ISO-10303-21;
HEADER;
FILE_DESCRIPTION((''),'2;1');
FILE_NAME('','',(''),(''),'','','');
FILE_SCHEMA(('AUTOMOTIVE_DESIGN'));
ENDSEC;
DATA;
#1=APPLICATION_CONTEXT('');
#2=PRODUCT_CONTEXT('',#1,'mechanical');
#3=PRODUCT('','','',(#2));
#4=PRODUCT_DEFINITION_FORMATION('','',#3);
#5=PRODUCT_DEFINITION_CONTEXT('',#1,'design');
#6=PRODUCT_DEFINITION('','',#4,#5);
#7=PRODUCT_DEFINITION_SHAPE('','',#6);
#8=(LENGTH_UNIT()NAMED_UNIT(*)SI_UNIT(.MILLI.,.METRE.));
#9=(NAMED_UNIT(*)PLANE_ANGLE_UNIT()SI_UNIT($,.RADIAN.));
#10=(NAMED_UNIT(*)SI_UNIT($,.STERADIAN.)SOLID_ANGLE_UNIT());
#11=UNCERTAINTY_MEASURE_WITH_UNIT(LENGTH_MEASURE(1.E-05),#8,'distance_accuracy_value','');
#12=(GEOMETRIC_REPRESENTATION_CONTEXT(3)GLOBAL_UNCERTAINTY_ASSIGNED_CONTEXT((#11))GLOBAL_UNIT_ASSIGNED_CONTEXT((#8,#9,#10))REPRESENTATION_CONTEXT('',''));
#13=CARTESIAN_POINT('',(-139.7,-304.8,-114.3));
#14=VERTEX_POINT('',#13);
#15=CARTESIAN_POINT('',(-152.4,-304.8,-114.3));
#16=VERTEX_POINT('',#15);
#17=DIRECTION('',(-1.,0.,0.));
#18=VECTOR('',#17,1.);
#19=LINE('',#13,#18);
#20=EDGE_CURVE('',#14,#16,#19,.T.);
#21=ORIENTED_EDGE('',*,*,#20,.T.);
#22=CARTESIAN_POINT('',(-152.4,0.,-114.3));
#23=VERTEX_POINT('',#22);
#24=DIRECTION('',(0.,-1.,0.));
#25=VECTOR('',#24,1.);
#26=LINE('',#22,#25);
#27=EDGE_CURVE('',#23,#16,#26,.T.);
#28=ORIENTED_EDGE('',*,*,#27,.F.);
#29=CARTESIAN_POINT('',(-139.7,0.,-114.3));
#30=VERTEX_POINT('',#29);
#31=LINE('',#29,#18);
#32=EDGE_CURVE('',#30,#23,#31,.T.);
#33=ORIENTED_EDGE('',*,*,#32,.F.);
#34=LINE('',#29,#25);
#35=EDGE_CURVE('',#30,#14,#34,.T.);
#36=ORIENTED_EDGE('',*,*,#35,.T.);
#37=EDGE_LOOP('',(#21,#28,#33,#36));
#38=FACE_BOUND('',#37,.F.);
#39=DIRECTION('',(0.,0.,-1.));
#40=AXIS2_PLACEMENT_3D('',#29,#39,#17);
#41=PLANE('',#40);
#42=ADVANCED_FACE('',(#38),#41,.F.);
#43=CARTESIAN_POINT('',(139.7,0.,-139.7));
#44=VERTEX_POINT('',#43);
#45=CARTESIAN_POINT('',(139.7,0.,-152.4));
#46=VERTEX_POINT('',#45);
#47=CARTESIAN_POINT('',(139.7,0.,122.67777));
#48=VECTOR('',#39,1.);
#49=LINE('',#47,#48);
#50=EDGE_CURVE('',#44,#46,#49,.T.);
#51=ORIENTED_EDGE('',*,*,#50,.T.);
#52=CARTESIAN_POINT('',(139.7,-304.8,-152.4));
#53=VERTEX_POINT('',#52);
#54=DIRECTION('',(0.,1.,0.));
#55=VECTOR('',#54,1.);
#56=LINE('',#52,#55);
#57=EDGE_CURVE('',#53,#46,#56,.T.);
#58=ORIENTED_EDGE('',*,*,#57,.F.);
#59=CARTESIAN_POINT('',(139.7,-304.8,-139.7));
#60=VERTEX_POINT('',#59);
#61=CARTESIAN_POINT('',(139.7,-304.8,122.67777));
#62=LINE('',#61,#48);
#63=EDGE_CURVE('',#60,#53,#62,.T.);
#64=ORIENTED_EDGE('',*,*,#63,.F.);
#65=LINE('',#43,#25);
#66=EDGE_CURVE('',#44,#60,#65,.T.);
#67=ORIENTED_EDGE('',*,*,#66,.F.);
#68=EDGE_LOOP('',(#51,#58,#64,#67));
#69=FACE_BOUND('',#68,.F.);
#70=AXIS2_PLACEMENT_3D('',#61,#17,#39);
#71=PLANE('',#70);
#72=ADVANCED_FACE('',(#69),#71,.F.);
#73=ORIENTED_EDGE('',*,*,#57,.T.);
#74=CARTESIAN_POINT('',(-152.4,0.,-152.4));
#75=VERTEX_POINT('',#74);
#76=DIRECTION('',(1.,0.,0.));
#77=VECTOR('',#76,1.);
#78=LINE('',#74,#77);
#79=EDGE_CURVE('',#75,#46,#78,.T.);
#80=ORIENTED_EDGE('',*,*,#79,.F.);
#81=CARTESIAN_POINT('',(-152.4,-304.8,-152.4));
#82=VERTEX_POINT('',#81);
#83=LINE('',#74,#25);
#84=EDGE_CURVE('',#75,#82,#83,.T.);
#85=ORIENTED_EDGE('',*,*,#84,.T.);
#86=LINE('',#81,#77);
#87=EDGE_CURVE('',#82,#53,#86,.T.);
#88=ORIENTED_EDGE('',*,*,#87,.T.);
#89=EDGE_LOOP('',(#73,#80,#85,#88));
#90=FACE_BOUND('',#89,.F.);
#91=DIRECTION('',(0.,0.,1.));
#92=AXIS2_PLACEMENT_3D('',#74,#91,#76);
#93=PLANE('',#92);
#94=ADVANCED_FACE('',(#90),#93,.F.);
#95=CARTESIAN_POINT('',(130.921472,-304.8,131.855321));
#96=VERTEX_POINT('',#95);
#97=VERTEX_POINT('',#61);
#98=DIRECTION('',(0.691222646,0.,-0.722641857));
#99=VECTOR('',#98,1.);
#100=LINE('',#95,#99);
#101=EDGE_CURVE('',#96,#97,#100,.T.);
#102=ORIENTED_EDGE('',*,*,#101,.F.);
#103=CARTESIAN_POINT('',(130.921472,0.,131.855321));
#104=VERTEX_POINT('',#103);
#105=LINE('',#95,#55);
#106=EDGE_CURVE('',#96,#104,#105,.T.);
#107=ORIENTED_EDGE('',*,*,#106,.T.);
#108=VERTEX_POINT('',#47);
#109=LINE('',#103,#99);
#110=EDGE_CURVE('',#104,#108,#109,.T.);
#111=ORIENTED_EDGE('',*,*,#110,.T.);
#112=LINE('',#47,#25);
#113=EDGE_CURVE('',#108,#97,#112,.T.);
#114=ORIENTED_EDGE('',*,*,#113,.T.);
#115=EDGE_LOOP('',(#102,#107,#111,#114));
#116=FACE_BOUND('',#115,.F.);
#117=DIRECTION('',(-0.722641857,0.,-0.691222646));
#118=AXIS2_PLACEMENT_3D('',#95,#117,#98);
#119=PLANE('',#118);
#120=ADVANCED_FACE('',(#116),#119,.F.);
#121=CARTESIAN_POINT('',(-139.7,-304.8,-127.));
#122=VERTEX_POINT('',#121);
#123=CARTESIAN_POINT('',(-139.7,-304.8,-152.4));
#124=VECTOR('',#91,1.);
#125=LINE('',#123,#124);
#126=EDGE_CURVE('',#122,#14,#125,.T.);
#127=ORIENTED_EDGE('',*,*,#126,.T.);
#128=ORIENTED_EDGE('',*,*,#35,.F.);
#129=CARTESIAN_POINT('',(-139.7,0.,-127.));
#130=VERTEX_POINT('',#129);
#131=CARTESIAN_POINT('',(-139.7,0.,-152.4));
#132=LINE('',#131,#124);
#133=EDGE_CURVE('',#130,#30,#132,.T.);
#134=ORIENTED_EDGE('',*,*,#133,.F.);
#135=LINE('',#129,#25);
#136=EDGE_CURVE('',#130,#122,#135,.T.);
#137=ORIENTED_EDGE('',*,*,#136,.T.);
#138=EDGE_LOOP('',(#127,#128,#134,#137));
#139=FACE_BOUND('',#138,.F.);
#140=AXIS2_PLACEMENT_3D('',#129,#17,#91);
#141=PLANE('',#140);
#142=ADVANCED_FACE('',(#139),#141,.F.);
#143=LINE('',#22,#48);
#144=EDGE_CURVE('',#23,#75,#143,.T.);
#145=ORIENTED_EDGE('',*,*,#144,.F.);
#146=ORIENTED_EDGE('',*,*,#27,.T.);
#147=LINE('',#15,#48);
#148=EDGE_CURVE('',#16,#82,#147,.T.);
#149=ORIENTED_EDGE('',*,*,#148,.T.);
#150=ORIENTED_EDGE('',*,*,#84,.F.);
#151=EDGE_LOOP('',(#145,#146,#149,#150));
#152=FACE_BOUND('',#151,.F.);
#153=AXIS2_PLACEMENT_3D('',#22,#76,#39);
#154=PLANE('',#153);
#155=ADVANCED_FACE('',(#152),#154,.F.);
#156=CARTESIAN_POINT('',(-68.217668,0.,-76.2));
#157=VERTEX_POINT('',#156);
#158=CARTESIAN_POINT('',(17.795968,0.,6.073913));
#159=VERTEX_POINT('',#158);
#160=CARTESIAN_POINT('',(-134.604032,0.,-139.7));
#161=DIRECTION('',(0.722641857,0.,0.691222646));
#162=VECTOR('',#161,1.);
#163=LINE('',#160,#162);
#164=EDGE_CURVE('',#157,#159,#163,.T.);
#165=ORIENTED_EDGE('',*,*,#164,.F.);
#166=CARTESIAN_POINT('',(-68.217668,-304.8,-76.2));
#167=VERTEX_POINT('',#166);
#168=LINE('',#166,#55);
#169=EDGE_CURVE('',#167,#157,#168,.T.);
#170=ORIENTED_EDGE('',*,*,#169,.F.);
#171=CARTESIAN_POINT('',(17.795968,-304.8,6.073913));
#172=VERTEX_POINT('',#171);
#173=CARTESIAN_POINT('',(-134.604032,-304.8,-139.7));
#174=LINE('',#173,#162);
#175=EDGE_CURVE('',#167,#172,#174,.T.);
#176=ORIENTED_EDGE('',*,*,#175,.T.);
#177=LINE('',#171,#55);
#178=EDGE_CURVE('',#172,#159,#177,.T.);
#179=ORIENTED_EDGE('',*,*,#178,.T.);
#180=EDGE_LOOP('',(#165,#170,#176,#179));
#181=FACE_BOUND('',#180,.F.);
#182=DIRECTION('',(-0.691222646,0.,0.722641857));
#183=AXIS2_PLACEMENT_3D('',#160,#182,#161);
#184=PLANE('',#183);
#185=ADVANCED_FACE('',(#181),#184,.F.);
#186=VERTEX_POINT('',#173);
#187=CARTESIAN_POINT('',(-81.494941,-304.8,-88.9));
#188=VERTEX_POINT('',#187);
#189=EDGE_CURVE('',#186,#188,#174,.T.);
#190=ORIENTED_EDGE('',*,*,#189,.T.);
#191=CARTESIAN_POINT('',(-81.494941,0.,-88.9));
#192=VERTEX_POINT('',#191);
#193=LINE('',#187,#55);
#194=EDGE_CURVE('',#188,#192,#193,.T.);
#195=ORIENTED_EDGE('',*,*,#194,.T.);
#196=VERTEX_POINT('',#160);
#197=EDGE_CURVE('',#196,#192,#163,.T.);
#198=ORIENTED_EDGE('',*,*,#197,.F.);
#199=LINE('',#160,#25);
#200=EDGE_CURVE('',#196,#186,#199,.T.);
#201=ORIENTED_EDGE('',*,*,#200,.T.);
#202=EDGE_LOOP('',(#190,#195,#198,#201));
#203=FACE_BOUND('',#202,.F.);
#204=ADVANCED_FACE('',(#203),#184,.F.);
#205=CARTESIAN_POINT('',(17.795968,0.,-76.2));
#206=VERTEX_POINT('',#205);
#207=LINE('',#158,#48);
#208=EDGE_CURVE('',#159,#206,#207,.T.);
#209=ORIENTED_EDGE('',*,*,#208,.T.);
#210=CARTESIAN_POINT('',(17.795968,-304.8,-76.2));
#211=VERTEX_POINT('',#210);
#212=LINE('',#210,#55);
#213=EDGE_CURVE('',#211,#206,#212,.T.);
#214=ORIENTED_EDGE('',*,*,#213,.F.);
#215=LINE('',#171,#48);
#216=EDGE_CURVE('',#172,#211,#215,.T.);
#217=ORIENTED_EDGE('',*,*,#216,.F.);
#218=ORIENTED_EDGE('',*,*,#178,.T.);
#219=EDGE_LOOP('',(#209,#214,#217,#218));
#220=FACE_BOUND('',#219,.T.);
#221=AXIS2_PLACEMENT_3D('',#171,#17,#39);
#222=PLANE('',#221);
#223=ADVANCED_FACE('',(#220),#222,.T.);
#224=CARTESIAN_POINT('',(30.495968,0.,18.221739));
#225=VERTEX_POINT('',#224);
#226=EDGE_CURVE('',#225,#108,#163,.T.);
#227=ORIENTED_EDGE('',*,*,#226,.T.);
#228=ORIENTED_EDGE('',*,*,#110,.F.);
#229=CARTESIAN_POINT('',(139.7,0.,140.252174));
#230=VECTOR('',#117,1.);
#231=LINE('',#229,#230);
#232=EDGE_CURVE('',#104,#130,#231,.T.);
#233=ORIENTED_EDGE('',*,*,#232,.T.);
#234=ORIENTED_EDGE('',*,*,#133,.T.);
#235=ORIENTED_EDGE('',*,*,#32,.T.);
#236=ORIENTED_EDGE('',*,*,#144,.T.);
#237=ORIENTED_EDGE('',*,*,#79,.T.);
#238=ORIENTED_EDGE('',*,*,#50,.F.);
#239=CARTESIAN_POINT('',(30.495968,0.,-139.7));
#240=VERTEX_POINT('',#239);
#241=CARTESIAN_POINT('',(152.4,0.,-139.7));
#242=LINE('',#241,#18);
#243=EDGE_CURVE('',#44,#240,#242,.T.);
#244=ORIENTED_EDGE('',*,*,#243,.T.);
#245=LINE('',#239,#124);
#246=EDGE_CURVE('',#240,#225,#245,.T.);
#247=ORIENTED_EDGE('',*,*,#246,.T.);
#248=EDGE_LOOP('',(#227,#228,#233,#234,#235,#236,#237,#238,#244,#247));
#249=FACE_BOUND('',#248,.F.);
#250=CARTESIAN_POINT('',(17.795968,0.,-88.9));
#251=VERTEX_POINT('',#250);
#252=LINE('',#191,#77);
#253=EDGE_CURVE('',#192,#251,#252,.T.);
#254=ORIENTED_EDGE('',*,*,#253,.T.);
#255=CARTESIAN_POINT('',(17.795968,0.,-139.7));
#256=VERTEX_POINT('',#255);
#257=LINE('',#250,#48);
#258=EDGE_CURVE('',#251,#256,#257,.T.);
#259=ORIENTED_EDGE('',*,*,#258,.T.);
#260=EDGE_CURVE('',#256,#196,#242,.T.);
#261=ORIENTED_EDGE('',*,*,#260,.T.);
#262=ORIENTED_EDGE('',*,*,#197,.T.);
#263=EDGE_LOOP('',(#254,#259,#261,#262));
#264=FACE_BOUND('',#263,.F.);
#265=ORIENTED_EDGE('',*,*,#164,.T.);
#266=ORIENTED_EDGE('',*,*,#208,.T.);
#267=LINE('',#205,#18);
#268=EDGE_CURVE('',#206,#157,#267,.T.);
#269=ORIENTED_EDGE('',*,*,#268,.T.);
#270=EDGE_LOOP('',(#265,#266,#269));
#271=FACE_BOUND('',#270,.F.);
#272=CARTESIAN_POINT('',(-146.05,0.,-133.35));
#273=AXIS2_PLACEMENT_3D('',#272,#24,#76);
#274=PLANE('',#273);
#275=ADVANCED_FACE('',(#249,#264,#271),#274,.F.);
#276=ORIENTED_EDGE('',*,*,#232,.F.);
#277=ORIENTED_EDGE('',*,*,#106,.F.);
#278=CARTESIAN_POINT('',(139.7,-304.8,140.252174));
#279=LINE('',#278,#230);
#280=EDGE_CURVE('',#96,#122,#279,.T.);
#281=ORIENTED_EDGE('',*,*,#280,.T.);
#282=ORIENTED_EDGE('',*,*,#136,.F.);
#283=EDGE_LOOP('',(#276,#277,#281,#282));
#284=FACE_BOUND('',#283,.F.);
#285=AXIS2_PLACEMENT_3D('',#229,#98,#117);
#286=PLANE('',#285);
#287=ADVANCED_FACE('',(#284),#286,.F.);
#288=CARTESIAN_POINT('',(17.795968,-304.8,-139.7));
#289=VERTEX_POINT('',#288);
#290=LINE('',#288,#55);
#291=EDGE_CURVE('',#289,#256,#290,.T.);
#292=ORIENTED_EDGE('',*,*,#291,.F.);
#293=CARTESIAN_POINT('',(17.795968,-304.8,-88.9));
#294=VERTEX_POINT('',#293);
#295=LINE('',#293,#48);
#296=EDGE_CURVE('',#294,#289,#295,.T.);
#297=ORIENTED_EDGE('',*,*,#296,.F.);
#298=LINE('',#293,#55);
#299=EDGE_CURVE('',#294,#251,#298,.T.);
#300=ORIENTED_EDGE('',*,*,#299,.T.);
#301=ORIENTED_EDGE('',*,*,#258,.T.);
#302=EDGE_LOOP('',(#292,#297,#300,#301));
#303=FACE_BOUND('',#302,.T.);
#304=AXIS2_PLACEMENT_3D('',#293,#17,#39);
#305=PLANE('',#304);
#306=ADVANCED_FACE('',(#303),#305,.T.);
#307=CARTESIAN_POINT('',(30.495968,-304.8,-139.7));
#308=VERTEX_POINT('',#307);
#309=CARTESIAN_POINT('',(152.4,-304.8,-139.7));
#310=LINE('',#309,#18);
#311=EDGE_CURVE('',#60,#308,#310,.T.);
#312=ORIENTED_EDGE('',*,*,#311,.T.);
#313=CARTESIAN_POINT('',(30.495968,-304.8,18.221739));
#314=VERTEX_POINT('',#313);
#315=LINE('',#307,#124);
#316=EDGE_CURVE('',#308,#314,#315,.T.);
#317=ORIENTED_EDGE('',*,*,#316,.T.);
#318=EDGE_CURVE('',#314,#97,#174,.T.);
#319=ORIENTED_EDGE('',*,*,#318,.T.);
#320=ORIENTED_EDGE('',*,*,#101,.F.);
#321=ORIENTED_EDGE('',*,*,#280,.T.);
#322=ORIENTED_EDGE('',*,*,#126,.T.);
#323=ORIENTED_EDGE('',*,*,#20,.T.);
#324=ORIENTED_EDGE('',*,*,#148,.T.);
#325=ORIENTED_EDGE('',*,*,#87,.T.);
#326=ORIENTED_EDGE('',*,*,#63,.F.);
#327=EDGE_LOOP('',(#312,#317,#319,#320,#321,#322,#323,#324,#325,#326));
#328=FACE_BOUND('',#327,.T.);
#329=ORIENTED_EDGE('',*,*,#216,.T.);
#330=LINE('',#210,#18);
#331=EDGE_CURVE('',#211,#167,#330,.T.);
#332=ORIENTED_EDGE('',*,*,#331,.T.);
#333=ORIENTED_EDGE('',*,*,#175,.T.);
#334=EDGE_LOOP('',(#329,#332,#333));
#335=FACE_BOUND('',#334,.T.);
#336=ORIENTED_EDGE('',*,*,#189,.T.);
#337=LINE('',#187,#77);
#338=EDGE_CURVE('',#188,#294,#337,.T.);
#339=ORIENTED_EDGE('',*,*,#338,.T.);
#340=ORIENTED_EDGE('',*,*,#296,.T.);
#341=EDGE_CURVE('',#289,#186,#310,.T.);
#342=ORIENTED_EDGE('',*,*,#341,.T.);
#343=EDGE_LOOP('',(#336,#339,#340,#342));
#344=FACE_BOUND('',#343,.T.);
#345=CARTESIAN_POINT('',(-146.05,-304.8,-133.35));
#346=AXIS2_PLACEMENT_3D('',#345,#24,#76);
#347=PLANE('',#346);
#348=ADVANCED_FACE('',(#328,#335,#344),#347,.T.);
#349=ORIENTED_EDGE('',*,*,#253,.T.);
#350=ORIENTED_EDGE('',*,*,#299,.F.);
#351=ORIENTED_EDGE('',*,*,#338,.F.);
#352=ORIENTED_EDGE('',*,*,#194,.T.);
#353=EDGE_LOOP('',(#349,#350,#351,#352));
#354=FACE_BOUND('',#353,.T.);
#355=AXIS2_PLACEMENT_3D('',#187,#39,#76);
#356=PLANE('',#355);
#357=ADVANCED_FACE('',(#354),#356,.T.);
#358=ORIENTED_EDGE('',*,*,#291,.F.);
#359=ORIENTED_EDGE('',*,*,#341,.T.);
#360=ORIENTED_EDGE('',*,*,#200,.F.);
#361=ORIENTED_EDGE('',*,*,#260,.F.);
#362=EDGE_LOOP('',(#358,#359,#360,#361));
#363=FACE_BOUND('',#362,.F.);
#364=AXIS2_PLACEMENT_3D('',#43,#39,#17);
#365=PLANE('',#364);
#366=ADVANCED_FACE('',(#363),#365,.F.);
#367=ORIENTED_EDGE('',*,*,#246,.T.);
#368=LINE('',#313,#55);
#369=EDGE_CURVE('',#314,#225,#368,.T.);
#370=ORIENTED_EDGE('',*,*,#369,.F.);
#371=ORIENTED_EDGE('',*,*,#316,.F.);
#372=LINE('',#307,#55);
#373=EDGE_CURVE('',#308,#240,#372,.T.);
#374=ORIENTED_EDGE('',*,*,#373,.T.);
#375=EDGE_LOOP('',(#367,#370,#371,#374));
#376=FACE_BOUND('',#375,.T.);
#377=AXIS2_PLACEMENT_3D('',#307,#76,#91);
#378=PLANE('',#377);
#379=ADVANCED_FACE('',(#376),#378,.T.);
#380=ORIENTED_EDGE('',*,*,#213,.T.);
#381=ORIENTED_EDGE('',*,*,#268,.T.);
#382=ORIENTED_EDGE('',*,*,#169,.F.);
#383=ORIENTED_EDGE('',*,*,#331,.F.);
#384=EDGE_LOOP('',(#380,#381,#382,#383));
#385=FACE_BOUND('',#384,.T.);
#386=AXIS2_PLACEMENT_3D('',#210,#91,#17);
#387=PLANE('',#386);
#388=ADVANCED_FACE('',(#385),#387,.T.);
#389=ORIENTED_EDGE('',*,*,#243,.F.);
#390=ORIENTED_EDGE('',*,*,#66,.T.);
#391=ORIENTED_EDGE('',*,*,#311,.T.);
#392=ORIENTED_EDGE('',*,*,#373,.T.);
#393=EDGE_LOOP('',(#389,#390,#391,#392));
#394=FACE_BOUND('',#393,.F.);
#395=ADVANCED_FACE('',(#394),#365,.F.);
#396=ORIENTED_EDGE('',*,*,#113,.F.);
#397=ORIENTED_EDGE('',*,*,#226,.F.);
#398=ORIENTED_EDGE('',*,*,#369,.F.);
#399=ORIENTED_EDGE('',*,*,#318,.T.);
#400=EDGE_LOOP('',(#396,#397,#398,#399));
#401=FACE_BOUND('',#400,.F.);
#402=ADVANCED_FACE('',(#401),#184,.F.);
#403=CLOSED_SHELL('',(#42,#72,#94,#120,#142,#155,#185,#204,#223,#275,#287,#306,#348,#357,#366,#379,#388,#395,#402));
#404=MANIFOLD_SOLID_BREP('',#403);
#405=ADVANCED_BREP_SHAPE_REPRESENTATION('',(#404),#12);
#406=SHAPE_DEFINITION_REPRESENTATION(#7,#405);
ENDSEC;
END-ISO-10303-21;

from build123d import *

# Parameters (mm, degrees)
F1_DEPTH = 304.8
F3_DEPTH = 304.8
F5_DEPTH = 304.8


with BuildPart() as f1:
    # F0 (on Front) → F1 (new body)
    with BuildSketch(Plane.XZ):
        Polygon((-139.7, -114.3), (-152.4, -114.3), (-152.4, -152.4), (-139.7, -152.4), (-139.7, -139.7), (-139.7, -127), align=None)
        Polygon((15.1285276038, 3.5224484142), (6.35, 12.7), (-139.7, -127), (-139.7, -139.7), (-134.604032102, -139.7), align=None)
        Polygon((152.4, -152.4), (152.4, -139.7), (139.7, -139.7), (-134.604032102, -139.7), (-139.7, -139.7), (-139.7, -152.4), align=None)
        Polygon((139.7, 122.6777698367), (139.7, 140.252173913), (6.35, 12.7), (15.1285276038, 3.5224484142), align=None)
        Polygon((152.4, 134.8255959236), (152.4, 152.4), (139.7, 140.252173913), (139.7, 122.6777698367), align=None)
        Polygon((152.4, -139.7), (152.4, 134.8255959236), (139.7, 122.6777698367), (139.7, -139.7), align=None)
    extrude(amount=F1_DEPTH)

    # F2 (on face) → F3 (join)
    with BuildSketch(Plane.XZ.offset(304.8)):
        Polygon((-68.2176684656, -76.2), (-81.4949411929, -88.9), (17.795967898, -88.9), (17.795967898, -76.2), align=None)
        Polygon((17.795967898, -88.9), (17.795967898, -139.7), (30.495967898, -139.7), (30.495967898, 18.2217391304), (17.795967898, 6.0739130435), (17.795967898, -76.2), align=None)
    extrude(amount=-F3_DEPTH)

    # F4 (on face) → F5 (cut)
    with BuildSketch(Plane.XZ.offset(304.8)):
        Polygon((130.9214723962, 131.8553214225), (139.7, 122.6777698367), (139.7, -139.7), (139.7, -152.4), (152.4, -152.4), (152.4, 152.4), align=None)
    extrude(amount=-F5_DEPTH, mode=Mode.SUBTRACT)


solid = f1.part
